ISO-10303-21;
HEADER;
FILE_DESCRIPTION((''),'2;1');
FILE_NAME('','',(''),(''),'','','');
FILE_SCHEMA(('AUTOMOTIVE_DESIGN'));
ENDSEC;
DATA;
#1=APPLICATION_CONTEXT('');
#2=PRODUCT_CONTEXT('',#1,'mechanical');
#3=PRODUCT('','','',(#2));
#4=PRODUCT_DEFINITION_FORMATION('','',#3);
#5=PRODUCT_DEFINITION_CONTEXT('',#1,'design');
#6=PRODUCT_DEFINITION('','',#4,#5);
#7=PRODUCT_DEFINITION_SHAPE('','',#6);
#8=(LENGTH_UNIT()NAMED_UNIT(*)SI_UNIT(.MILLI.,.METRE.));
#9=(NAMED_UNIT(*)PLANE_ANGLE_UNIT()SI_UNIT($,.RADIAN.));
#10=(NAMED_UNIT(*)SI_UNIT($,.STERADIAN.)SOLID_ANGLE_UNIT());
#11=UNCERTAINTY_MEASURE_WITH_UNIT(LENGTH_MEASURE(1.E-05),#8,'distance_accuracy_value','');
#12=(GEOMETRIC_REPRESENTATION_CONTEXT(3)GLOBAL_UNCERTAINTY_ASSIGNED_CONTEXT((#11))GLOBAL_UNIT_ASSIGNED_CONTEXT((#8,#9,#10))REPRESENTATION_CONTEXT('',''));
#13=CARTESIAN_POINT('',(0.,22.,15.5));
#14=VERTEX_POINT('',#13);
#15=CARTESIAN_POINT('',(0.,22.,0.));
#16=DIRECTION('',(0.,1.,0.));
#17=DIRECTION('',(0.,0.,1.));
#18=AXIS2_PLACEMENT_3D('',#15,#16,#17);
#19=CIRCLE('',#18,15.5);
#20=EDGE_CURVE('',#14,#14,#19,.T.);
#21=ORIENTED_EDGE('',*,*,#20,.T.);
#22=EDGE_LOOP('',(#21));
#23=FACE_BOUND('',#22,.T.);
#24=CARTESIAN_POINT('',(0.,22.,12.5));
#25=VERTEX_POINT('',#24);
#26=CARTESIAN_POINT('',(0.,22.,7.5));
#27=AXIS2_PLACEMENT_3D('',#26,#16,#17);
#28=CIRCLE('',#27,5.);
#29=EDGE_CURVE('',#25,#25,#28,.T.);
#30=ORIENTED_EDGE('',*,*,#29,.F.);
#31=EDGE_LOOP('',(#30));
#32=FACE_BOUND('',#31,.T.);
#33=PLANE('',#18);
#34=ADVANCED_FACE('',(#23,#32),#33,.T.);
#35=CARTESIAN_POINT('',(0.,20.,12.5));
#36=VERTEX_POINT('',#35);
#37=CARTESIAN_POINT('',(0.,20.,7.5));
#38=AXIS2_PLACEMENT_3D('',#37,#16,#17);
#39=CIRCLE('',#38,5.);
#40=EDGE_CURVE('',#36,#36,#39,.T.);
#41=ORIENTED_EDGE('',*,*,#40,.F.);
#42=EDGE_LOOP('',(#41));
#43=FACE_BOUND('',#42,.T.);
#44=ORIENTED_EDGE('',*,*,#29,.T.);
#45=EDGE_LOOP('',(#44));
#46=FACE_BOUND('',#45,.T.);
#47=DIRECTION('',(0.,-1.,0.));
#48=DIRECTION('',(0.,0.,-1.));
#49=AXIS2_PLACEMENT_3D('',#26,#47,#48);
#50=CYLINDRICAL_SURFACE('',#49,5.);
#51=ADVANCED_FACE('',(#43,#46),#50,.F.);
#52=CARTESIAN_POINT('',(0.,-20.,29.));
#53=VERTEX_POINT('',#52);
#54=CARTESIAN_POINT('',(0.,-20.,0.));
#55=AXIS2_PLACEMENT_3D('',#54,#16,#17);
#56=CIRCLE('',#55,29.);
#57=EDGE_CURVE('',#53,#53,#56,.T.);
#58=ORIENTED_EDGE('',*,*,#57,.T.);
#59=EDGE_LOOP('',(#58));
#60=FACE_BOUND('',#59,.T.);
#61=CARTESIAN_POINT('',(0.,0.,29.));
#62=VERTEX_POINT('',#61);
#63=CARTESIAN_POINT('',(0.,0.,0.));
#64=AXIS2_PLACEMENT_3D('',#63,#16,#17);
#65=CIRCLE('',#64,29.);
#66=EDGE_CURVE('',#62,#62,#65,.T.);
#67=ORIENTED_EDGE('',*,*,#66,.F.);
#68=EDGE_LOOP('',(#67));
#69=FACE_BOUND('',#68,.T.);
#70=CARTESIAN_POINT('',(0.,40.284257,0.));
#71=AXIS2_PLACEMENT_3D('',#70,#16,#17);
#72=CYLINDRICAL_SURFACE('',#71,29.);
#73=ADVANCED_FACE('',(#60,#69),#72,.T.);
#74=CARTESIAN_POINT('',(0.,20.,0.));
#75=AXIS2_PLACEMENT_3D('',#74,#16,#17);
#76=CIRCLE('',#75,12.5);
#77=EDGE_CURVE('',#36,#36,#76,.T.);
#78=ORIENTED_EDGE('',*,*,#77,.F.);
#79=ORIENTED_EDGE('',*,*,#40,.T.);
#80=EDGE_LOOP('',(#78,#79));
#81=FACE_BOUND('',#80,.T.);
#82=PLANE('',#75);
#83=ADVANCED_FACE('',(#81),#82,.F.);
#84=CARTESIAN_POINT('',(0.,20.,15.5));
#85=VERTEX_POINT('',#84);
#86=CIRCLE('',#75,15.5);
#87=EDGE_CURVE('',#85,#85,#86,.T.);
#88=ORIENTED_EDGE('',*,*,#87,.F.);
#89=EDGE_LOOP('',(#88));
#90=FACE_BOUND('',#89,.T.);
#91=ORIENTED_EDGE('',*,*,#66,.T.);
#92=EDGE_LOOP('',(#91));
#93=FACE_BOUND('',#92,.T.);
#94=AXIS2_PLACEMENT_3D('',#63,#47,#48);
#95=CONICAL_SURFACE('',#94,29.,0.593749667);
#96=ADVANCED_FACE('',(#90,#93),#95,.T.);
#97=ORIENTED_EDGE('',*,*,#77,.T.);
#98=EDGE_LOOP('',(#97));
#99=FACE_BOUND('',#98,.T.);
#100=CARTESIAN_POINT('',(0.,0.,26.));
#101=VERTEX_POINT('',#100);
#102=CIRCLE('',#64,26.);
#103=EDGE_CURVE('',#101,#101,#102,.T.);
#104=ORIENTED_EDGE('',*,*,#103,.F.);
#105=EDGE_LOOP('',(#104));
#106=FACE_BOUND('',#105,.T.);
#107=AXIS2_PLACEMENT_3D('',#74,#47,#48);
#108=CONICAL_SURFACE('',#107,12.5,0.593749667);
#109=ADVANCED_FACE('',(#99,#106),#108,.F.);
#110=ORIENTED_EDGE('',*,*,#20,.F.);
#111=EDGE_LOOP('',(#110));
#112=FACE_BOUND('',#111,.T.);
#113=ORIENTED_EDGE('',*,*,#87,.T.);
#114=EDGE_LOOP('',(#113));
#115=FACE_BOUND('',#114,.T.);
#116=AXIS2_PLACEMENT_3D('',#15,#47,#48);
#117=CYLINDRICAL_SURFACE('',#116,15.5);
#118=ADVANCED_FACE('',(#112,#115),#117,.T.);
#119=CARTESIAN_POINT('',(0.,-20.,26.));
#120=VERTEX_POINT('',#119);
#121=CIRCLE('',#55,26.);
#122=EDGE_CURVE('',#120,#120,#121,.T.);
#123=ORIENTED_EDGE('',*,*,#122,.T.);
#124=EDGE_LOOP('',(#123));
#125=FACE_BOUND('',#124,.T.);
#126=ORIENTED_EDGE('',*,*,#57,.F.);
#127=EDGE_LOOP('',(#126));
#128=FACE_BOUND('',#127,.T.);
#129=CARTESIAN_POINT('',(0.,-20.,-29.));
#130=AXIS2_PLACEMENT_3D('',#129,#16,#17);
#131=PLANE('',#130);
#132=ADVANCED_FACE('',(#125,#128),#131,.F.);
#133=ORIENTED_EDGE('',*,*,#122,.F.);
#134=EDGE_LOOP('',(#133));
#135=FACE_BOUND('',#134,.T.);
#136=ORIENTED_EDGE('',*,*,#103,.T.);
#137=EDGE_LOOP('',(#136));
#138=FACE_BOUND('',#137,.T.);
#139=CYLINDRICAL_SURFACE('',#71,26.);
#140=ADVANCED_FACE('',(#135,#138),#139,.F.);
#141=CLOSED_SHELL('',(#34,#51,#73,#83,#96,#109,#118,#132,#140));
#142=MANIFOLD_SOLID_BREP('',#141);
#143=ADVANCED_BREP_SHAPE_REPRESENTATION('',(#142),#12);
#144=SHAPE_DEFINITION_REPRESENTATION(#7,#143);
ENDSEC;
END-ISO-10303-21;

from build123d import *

# Parameters (mm, degrees)
IZIM6_R                     = 15.5
IZIM6_R_2                   = 5
Y_KSEKLIK_EKSTR_ZYON2_DEPTH = 2


with BuildPart() as part:
    # Çizim5 → Döndür1 (revolve)
    with BuildSketch(Plane(origin=(0, 0, 0), x_dir=(0, 0, -1), z_dir=(1, 0, 0))):
        Polygon((12.5, 20), (15.5, 20), (29, 0), (29, -20), (26, -20), (26, 0), align=None)
    revolve(axis=Axis((0, 40.284256648, 0), (0, -1, 0)))

    # Çizim6 → Yükseklik-Ekstrüzyon2 (add)
    with BuildSketch(Plane(origin=(0, 20, 0), x_dir=(1, 0, 0), z_dir=(0, 1, 0))):
        Circle(IZIM6_R)
        with Locations((0, -7.5)):
            Circle(IZIM6_R_2, mode=Mode.SUBTRACT)
    extrude(amount=Y_KSEKLIK_EKSTR_ZYON2_DEPTH)


solid = part.part
